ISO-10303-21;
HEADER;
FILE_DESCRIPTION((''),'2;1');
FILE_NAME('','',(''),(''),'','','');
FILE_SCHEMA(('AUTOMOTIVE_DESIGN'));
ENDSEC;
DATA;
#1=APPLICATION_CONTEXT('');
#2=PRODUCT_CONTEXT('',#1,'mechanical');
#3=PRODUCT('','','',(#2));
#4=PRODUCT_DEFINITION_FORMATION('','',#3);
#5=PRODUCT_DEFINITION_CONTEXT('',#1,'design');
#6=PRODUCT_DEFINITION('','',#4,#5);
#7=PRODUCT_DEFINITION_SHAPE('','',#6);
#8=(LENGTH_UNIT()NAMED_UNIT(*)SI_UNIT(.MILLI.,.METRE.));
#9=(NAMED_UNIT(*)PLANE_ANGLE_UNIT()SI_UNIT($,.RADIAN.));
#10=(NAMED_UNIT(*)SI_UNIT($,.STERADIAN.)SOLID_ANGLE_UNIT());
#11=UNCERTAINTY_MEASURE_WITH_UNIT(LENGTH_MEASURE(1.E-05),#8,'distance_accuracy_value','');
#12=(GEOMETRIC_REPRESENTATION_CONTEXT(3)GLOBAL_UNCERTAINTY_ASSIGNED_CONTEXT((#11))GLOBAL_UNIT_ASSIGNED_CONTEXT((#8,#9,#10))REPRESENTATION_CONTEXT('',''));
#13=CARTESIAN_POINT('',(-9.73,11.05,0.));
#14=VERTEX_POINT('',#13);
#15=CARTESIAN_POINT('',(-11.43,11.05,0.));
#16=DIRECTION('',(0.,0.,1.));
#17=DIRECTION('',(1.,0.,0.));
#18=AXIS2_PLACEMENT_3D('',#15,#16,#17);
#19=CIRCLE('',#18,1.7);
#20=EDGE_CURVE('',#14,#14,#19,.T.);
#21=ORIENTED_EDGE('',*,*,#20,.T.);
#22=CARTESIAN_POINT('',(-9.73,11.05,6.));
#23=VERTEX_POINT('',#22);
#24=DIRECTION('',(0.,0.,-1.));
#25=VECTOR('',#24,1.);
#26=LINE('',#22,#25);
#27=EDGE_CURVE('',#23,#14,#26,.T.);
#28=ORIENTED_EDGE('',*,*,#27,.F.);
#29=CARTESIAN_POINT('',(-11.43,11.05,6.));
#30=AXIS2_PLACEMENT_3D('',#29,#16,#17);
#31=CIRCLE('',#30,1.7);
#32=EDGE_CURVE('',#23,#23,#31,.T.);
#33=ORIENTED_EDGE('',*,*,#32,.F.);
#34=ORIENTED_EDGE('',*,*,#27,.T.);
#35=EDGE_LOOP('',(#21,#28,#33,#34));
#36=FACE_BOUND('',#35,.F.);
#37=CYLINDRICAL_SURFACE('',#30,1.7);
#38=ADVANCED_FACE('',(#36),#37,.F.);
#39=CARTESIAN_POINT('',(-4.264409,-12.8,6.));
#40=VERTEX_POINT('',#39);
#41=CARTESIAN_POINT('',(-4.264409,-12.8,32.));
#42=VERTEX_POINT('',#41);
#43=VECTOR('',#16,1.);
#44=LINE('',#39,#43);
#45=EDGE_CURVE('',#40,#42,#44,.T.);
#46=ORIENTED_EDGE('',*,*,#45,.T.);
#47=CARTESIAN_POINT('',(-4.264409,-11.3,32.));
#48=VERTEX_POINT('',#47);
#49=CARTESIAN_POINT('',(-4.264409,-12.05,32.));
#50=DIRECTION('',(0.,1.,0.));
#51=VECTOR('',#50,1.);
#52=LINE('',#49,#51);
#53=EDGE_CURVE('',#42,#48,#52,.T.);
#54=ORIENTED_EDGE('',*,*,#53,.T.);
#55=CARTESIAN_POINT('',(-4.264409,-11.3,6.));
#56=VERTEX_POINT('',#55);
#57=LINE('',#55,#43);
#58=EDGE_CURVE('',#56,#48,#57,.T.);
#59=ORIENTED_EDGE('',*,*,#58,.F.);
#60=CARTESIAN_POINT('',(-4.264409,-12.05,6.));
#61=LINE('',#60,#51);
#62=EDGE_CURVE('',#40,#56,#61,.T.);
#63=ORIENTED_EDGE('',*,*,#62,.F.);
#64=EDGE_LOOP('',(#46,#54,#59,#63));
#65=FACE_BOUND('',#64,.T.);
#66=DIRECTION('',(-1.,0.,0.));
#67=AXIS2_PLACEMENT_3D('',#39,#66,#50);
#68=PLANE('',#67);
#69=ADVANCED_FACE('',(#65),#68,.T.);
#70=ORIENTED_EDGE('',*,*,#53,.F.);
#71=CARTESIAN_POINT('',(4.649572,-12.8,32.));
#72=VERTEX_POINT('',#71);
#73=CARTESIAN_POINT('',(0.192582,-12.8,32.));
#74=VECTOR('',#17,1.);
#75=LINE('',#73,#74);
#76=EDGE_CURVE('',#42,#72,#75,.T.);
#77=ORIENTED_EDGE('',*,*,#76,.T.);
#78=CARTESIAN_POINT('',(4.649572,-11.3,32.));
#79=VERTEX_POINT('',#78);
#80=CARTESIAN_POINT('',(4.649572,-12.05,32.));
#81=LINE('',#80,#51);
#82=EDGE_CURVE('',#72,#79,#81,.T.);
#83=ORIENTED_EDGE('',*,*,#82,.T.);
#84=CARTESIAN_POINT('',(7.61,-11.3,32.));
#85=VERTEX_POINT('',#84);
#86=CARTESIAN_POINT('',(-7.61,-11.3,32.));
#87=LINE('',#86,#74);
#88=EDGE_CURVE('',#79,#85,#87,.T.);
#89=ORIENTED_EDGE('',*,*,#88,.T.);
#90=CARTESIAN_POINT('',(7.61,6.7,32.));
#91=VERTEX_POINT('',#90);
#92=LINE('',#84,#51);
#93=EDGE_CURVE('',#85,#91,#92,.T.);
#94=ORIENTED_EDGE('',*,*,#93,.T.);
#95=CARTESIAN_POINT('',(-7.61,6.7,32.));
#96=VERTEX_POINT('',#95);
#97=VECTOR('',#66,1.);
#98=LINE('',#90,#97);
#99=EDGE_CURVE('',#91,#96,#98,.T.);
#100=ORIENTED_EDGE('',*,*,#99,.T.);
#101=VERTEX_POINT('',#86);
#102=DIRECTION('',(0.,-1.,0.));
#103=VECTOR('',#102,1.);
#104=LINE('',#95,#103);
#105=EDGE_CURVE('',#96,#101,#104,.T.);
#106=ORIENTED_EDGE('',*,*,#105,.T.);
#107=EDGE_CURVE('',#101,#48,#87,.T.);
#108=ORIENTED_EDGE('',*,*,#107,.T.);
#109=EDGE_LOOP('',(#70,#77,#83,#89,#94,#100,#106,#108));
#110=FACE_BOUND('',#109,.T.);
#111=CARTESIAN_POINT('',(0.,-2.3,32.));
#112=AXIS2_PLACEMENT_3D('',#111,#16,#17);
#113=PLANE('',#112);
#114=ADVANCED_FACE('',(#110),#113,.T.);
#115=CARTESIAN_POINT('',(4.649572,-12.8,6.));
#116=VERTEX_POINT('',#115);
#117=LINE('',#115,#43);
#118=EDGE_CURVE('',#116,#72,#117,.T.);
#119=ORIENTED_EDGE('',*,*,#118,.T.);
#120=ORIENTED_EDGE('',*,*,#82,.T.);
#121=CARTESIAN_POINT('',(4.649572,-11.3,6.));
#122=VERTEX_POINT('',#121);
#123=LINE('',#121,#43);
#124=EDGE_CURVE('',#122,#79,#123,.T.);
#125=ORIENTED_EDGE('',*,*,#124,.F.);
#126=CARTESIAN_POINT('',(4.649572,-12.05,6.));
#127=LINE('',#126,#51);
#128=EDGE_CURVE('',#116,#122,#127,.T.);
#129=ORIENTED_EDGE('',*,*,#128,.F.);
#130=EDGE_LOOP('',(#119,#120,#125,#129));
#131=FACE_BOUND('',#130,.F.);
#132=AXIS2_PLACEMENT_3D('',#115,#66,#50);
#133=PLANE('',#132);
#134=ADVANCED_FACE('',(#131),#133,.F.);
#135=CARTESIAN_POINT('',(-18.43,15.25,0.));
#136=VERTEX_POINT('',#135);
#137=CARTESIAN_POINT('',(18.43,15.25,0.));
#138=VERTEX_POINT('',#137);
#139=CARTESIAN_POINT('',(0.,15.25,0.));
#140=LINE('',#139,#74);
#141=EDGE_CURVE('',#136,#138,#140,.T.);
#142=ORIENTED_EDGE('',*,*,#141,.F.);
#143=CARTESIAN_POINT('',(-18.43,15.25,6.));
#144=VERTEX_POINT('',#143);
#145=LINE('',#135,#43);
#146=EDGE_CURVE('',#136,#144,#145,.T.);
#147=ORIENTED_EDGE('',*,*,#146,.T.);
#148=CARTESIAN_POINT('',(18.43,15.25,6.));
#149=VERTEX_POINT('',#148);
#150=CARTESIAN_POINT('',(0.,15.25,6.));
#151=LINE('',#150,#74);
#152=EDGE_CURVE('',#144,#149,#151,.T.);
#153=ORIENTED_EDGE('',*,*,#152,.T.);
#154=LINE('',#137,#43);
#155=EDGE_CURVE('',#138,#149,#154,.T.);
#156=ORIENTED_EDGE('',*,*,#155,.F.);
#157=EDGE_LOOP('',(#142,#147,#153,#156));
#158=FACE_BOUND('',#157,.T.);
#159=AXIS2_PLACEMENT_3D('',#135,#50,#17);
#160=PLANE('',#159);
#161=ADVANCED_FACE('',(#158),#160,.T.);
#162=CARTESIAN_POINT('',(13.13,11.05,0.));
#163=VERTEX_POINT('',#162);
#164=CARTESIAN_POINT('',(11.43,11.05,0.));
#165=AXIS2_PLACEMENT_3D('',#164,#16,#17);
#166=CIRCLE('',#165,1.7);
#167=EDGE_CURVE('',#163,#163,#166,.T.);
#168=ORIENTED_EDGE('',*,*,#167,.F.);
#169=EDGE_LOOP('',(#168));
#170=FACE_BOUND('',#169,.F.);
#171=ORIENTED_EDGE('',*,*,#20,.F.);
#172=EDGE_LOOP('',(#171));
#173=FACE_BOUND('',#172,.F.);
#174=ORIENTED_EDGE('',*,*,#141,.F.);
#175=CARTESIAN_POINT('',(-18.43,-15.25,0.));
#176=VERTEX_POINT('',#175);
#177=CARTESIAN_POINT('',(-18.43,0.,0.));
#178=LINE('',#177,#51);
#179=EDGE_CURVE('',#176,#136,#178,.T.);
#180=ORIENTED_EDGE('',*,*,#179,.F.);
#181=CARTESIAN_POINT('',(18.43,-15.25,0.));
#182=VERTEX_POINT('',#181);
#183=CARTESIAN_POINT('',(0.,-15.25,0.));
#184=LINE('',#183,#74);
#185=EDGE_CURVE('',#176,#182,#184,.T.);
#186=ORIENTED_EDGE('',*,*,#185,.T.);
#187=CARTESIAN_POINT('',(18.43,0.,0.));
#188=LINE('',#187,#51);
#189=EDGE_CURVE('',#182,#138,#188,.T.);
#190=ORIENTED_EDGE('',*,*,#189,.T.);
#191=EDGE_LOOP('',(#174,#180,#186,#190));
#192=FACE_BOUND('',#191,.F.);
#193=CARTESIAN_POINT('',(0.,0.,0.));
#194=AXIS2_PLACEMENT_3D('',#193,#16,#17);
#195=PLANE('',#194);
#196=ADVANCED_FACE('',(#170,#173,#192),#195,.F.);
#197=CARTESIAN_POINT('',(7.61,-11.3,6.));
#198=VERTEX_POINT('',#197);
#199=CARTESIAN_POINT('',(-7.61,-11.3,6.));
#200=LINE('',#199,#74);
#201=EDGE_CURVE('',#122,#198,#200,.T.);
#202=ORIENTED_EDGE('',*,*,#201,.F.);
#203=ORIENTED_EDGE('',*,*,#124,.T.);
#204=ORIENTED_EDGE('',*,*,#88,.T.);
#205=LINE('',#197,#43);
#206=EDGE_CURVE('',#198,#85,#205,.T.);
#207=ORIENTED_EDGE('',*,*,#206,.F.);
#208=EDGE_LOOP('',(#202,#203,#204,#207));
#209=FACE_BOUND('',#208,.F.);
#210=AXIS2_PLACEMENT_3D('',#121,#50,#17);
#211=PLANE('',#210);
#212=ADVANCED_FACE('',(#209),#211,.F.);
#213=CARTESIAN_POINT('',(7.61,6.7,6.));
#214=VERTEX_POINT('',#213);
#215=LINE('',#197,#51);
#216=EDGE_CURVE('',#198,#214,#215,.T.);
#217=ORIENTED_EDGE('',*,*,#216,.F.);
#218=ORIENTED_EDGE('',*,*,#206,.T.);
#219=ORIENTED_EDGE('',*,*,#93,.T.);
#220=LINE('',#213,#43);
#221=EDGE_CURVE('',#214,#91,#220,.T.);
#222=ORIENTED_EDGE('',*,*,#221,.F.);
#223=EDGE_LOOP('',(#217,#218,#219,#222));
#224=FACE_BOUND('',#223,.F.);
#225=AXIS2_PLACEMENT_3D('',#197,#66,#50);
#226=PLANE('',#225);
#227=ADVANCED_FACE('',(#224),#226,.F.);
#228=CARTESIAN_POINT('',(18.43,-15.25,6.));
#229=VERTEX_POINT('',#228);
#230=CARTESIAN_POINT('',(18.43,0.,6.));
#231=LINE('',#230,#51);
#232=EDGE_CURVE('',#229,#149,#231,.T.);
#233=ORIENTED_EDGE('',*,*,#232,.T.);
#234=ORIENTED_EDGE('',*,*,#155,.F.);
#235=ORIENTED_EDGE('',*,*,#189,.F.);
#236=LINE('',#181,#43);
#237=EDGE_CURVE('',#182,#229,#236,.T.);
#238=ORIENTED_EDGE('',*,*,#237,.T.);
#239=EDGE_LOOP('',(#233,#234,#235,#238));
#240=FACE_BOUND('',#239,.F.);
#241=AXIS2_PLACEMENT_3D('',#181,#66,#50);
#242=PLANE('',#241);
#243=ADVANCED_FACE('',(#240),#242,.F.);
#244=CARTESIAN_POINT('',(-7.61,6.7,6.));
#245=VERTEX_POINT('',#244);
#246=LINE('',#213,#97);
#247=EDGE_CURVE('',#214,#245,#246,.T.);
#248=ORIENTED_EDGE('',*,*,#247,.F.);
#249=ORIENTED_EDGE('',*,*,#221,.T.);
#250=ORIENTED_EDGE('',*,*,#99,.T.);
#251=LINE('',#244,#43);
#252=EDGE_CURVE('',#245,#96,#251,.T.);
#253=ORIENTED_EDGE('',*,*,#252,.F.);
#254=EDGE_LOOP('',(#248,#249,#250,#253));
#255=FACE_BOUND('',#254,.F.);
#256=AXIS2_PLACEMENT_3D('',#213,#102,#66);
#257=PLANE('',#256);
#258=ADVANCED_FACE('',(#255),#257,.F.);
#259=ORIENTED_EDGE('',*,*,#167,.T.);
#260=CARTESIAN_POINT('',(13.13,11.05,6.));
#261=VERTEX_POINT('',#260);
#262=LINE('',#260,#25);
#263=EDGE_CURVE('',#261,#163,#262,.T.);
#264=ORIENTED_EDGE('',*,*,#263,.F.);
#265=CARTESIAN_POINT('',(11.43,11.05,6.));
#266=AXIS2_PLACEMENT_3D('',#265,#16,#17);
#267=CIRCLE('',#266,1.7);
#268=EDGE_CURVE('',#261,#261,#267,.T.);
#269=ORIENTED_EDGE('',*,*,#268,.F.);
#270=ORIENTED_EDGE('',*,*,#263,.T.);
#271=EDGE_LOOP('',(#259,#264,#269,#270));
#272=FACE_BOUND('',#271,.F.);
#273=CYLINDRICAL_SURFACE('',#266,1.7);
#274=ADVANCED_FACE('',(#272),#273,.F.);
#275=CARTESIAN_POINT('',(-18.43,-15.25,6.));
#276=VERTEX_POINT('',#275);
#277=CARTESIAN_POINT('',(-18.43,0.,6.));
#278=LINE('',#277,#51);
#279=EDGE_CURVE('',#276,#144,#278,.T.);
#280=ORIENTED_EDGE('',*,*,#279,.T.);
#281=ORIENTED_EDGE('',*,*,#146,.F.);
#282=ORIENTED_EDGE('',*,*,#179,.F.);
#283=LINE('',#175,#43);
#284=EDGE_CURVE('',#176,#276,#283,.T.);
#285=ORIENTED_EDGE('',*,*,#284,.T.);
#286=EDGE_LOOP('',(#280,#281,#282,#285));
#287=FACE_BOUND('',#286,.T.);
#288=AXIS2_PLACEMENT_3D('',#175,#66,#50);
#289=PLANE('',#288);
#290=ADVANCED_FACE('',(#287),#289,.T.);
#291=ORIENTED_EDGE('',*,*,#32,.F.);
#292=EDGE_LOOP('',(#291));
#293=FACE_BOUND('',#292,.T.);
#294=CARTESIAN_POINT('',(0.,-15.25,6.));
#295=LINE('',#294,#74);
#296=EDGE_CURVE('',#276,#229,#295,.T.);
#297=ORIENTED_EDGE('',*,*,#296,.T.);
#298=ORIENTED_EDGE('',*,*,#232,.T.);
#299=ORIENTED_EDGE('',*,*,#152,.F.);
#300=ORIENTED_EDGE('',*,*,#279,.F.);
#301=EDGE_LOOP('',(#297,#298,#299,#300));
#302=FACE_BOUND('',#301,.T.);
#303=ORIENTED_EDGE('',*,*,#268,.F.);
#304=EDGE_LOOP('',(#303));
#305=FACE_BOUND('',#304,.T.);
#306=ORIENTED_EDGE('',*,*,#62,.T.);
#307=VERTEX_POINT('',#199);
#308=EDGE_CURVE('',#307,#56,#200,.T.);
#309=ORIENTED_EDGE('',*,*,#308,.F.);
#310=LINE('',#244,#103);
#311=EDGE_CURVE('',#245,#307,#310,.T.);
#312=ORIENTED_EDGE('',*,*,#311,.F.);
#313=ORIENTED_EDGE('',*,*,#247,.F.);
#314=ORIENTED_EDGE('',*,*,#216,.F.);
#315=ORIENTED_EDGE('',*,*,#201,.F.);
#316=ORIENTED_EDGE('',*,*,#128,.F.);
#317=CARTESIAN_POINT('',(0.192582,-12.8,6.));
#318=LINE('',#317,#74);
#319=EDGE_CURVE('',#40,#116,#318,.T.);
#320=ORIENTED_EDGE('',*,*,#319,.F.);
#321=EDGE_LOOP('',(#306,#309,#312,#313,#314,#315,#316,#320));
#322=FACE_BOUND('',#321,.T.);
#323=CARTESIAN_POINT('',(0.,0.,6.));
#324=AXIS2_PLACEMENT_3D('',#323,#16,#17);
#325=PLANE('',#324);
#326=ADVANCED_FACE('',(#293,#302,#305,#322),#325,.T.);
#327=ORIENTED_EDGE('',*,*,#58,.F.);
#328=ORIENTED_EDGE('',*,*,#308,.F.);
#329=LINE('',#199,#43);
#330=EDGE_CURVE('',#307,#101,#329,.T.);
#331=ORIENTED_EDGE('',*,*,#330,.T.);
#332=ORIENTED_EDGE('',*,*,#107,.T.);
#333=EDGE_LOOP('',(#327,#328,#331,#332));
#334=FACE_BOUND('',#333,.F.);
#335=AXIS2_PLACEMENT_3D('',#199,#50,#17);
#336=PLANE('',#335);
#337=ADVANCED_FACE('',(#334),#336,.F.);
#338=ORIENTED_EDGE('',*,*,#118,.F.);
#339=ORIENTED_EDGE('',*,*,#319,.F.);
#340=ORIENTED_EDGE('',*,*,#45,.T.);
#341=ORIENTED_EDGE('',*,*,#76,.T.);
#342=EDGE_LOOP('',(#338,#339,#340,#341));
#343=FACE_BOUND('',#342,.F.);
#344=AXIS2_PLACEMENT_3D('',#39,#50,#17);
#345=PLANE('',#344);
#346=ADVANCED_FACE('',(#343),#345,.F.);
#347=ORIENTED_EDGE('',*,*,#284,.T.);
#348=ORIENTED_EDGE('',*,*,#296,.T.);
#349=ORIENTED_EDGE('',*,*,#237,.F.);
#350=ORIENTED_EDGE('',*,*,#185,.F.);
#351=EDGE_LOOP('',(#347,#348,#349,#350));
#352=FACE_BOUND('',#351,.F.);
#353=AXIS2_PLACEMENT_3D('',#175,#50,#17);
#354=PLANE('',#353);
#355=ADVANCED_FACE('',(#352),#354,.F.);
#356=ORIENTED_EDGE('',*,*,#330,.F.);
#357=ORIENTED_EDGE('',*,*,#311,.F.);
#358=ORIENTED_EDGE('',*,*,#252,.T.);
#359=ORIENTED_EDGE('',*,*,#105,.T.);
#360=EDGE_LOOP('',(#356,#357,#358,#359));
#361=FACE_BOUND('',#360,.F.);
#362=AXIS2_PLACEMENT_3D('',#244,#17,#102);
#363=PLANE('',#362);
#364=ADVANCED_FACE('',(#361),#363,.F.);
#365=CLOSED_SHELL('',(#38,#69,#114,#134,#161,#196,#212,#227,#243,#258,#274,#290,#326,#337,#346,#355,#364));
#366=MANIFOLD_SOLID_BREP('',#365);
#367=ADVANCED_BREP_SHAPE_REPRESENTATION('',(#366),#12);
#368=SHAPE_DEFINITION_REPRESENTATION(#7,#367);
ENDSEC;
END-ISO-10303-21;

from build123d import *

# Parameters (mm, degrees)
F0_W     = 36.86
F0_H     = 30.5
F1_DEPTH = 6
F2_R     = 1.7
F3_DEPTH = 25
F4_W     = 8.913981
F4_H     = 1.5
F5_DEPTH = 26


with BuildPart() as f1:
    # F0 (on Top) → F1 (new body)
    with BuildSketch(Plane.XY):
        Rectangle(F0_W, F0_H)
    extrude(amount=F1_DEPTH)

    # F2 (on face) → F3 (cut)
    with BuildSketch(Plane.XY.offset(6)):
        with Locations((-11.43, 11.05)):
            Circle(F2_R)
        with Locations((11.43, 11.05)):
            Circle(F2_R)
    extrude(amount=-F3_DEPTH, mode=Mode.SUBTRACT)

    # F4 (on face) → F5 (join)
    with BuildSketch(Plane.XY.offset(6)):
        Polygon((-7.61, 6.7), (-7.61, -11.3), (-4.264409, -11.3), (4.649572, -11.3), (7.61, -11.3), (7.61, 6.7), align=None)
        with Locations((0.192582, -12.05)):
            Rectangle(F4_W, F4_H)
    extrude(amount=F5_DEPTH)


solid = f1.part
